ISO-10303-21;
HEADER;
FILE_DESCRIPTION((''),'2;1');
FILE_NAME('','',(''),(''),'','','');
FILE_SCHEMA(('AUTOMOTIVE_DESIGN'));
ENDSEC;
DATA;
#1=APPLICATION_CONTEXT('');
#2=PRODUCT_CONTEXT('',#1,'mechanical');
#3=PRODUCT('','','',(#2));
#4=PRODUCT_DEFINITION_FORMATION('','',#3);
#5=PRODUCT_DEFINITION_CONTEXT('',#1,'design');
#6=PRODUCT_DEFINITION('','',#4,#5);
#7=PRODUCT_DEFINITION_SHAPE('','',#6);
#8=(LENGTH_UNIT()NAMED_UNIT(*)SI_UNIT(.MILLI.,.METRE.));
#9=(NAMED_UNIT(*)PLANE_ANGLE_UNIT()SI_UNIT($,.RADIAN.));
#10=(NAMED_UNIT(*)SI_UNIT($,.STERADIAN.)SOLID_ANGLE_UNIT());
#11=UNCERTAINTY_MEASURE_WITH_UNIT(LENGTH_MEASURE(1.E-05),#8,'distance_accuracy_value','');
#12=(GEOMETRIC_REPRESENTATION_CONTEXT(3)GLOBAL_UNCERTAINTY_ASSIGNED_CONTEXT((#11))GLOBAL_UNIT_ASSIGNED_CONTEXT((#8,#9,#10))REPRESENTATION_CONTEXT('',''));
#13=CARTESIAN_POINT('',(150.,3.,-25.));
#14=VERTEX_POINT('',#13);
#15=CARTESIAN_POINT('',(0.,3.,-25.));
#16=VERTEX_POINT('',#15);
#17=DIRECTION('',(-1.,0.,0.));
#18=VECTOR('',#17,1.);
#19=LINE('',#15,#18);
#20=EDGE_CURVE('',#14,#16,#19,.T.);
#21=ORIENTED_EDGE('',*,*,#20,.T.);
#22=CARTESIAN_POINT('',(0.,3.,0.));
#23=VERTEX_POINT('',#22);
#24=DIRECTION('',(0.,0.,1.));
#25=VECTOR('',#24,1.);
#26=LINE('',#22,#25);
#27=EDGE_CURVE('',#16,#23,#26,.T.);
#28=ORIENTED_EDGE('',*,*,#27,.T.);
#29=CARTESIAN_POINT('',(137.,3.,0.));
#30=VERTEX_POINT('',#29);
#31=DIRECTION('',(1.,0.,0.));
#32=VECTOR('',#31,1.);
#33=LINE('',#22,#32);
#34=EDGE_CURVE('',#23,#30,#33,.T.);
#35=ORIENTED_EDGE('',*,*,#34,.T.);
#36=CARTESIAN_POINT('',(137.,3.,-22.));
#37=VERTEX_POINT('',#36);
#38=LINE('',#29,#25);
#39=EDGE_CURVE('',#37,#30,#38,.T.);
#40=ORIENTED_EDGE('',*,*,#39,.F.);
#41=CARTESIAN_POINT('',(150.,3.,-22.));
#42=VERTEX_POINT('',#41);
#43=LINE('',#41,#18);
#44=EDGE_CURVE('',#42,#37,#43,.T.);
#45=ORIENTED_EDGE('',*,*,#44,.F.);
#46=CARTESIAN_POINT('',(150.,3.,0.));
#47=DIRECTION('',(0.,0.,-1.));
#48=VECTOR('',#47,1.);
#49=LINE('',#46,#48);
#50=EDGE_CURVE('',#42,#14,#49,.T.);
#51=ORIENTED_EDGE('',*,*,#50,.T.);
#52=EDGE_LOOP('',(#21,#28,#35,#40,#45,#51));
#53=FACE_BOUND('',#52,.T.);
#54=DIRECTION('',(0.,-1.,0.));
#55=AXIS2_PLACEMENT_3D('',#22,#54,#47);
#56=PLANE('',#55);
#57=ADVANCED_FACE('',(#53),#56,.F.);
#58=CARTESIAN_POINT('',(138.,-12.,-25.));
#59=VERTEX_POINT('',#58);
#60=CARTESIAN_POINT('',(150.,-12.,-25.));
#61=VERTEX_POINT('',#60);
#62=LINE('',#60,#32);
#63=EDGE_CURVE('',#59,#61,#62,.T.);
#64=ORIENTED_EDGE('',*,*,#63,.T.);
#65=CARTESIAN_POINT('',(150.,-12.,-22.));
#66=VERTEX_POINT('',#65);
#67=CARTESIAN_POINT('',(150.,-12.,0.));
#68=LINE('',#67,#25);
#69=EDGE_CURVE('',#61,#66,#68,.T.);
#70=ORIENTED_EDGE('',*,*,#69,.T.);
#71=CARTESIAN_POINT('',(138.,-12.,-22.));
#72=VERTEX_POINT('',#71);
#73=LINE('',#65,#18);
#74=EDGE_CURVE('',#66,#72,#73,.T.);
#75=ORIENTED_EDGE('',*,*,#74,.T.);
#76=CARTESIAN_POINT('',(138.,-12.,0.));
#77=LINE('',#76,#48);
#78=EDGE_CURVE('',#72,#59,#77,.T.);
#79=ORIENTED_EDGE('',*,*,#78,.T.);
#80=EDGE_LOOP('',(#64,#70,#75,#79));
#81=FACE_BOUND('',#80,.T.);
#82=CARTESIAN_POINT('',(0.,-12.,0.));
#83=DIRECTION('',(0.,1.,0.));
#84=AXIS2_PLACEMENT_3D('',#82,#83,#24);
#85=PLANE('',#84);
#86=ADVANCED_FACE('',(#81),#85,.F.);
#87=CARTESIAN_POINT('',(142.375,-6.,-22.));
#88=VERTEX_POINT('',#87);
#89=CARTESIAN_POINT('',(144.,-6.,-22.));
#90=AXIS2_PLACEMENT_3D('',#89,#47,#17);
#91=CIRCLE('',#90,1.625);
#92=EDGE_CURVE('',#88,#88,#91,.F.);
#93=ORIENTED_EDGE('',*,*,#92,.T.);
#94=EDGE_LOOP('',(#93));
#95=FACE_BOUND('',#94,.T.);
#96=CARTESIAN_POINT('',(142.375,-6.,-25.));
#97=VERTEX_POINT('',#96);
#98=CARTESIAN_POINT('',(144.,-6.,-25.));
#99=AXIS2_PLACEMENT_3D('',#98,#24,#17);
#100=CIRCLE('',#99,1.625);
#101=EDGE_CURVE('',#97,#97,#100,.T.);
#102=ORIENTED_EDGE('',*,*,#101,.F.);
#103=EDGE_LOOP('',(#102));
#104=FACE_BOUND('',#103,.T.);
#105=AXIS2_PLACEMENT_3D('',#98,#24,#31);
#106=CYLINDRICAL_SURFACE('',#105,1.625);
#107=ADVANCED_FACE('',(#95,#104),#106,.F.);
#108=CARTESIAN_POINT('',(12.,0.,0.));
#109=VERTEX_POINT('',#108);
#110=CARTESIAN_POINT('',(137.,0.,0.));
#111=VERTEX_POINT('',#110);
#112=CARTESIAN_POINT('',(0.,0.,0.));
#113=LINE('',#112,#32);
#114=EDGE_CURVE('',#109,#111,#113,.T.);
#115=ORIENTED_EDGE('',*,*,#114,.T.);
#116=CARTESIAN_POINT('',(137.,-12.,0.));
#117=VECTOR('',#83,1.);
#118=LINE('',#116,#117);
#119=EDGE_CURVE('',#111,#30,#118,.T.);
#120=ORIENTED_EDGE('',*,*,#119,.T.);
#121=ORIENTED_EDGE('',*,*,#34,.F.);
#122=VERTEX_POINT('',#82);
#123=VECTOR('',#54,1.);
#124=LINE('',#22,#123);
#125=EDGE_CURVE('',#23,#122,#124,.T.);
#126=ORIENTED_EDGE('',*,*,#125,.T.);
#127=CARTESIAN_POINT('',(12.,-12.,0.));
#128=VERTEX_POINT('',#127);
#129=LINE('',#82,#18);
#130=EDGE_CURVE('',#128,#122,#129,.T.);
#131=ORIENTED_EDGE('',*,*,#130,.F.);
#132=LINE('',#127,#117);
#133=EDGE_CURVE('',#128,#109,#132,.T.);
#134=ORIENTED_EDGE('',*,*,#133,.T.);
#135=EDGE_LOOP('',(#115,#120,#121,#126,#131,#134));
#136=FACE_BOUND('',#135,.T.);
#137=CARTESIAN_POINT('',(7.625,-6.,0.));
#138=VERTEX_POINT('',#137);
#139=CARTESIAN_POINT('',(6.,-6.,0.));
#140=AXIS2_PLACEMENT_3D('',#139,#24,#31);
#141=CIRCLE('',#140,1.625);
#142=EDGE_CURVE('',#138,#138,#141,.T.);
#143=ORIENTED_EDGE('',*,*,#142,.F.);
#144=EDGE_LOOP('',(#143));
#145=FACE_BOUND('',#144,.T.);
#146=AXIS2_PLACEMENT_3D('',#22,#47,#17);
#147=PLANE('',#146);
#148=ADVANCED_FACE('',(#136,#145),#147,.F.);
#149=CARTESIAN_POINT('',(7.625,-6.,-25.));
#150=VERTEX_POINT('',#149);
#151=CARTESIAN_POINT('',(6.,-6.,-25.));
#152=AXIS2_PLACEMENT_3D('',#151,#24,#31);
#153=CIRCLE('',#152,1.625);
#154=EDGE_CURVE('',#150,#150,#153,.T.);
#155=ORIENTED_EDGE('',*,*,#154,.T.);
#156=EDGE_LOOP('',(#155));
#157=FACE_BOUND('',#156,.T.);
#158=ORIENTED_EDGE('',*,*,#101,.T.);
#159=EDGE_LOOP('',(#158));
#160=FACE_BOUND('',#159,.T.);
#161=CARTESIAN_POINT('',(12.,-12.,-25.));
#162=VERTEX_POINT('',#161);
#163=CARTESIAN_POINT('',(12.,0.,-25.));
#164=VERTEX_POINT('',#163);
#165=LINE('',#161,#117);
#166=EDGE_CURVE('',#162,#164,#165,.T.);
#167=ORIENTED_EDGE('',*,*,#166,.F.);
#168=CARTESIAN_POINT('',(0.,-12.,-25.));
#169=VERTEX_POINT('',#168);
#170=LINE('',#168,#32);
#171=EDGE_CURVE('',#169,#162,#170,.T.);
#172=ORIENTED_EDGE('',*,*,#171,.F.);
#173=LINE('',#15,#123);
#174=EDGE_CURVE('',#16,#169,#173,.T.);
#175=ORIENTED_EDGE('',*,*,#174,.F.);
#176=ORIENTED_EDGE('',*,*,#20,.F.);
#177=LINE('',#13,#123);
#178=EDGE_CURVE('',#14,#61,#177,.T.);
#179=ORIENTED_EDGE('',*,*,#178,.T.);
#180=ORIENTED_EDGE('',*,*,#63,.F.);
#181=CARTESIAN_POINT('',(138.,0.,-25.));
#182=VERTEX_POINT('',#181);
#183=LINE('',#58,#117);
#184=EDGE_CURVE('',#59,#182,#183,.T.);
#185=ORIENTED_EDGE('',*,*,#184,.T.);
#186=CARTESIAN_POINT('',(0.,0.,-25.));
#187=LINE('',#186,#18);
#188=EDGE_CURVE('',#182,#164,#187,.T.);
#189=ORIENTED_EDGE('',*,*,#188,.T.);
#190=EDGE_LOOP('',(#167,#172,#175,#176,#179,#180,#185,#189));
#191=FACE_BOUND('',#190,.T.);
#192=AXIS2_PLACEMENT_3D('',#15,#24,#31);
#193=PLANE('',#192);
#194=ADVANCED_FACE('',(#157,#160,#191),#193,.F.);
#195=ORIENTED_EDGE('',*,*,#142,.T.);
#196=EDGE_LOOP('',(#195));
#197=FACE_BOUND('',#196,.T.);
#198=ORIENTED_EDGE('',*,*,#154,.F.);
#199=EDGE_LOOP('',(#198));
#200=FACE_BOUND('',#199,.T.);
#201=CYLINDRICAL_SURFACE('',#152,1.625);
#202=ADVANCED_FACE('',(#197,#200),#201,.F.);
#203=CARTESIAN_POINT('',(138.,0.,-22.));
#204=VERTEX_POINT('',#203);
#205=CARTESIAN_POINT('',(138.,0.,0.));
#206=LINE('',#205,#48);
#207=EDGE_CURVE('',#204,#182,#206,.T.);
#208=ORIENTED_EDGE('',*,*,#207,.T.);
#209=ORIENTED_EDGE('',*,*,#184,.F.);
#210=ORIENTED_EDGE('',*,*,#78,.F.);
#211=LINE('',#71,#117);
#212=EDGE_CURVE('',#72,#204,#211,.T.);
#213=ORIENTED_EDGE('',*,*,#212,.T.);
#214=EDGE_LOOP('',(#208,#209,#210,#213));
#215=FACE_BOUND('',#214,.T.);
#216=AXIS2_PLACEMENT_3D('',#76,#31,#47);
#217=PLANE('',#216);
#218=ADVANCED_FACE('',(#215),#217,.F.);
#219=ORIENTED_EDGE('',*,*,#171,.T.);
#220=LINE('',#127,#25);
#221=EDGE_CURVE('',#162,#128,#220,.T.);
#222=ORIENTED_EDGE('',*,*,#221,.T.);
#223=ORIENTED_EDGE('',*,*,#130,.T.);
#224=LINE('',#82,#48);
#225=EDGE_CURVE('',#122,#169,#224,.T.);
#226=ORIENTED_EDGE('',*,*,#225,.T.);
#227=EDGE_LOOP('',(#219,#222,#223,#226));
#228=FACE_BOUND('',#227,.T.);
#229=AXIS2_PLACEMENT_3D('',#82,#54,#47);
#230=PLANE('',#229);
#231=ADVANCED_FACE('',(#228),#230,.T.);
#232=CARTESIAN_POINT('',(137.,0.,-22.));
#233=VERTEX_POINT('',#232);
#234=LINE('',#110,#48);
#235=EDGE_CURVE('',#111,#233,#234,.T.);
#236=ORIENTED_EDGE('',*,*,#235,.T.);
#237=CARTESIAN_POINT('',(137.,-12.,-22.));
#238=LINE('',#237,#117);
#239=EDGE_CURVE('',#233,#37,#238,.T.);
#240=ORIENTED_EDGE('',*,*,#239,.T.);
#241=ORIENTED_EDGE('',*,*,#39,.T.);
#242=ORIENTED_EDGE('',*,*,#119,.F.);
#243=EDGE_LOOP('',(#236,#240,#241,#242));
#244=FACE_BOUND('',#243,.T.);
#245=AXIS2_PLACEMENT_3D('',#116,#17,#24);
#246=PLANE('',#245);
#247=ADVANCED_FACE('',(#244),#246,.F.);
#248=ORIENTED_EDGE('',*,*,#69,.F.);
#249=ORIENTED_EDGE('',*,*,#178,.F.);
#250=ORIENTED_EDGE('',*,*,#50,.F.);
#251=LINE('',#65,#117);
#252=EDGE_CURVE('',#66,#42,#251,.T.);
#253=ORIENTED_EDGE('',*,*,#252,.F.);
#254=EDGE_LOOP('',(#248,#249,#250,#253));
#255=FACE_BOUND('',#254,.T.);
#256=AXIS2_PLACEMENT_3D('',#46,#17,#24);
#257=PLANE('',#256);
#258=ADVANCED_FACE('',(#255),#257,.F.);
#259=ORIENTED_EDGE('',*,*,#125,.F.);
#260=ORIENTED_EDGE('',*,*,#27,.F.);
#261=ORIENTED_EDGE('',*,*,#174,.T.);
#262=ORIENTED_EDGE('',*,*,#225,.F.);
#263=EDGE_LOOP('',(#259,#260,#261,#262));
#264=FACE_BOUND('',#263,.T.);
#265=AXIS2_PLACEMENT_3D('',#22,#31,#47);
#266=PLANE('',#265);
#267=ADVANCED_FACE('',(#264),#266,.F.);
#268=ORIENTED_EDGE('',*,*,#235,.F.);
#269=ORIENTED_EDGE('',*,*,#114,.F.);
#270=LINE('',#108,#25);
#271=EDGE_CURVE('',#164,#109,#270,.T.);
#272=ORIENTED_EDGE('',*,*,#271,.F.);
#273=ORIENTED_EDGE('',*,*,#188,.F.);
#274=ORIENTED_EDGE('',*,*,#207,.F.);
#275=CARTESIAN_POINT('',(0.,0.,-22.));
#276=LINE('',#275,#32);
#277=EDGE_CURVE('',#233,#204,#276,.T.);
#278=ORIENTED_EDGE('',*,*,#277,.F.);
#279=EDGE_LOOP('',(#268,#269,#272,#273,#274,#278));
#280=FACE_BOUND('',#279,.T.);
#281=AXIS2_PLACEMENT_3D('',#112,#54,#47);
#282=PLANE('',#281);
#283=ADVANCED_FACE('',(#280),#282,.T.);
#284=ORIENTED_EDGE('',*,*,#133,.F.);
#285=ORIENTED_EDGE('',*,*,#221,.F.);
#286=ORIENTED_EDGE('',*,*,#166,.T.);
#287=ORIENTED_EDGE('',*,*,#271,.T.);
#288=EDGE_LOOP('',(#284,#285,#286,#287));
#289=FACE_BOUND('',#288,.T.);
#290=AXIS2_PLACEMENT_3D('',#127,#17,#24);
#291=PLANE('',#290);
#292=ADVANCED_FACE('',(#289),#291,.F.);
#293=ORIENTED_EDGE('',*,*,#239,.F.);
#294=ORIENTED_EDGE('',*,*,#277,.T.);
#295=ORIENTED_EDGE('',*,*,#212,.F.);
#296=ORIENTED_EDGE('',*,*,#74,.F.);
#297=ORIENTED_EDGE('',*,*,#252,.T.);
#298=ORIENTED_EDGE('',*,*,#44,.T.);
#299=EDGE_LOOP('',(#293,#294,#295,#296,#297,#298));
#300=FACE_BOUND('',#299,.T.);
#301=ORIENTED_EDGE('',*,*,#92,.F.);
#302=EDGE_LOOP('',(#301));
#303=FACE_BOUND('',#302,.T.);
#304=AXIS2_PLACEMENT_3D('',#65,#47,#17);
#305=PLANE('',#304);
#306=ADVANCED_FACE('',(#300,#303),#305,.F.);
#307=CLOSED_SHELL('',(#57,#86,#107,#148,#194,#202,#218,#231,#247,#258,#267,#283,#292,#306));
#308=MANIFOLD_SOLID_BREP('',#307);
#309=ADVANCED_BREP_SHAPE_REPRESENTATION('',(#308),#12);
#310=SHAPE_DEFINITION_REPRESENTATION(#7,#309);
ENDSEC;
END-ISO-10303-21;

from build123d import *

# Parameters (mm, degrees)
SKETCH1_W           = 150
SKETCH1_H           = 25
BOSS_EXTRUDE1_DEPTH = 3
SKETCH2_W           = 12
SKETCH2_H           = 25
BOSS_EXTRUDE2_DEPTH = 12
SKETCH4_R           = 1.625
CUT_EXTRUDE1_DEPTH  = 153.541797551
SKETCH5_W           = 13
SKETCH5_H           = 22
CUT_EXTRUDE2_DEPTH  = 153.807067899


with BuildPart() as part:
    # Sketch1 → Boss-Extrude1 (new body)
    with BuildSketch(Plane(origin=(0, 0, 0), x_dir=(1, 0, 0), z_dir=(0, 1, 0))):
        with Locations((75, 12.5)):
            Rectangle(SKETCH1_W, SKETCH1_H)
    extrude(amount=BOSS_EXTRUDE1_DEPTH)

    # Sketch2 → Boss-Extrude2 (add)
    with BuildSketch(Plane.XZ):
        with Locations((6, -12.5)):
            Rectangle(SKETCH2_W, SKETCH2_H)
        with Locations((144, -12.5)):
            Rectangle(SKETCH2_W, SKETCH2_H)
    extrude(amount=BOSS_EXTRUDE2_DEPTH)

    # Sketch4 → Cut-Extrude1 (cut, through all)
    with BuildSketch(Plane.XY):
        with Locations((6, -6)):
            Circle(SKETCH4_R)
        with Locations(Location((144, -6, 0), (0, 0, 180))):
            Circle(SKETCH4_R)
    extrude(amount=-CUT_EXTRUDE1_DEPTH, mode=Mode.SUBTRACT)

    # Sketch5 → Cut-Extrude2 (cut, through all)
    with BuildSketch(Plane(origin=(0, 3, 0), x_dir=(1, 0, 0), z_dir=(0, 1, 0))):
        with Locations((143.5, 11)):
            Rectangle(SKETCH5_W, SKETCH5_H)
    extrude(amount=-CUT_EXTRUDE2_DEPTH, mode=Mode.SUBTRACT)


solid = part.part
